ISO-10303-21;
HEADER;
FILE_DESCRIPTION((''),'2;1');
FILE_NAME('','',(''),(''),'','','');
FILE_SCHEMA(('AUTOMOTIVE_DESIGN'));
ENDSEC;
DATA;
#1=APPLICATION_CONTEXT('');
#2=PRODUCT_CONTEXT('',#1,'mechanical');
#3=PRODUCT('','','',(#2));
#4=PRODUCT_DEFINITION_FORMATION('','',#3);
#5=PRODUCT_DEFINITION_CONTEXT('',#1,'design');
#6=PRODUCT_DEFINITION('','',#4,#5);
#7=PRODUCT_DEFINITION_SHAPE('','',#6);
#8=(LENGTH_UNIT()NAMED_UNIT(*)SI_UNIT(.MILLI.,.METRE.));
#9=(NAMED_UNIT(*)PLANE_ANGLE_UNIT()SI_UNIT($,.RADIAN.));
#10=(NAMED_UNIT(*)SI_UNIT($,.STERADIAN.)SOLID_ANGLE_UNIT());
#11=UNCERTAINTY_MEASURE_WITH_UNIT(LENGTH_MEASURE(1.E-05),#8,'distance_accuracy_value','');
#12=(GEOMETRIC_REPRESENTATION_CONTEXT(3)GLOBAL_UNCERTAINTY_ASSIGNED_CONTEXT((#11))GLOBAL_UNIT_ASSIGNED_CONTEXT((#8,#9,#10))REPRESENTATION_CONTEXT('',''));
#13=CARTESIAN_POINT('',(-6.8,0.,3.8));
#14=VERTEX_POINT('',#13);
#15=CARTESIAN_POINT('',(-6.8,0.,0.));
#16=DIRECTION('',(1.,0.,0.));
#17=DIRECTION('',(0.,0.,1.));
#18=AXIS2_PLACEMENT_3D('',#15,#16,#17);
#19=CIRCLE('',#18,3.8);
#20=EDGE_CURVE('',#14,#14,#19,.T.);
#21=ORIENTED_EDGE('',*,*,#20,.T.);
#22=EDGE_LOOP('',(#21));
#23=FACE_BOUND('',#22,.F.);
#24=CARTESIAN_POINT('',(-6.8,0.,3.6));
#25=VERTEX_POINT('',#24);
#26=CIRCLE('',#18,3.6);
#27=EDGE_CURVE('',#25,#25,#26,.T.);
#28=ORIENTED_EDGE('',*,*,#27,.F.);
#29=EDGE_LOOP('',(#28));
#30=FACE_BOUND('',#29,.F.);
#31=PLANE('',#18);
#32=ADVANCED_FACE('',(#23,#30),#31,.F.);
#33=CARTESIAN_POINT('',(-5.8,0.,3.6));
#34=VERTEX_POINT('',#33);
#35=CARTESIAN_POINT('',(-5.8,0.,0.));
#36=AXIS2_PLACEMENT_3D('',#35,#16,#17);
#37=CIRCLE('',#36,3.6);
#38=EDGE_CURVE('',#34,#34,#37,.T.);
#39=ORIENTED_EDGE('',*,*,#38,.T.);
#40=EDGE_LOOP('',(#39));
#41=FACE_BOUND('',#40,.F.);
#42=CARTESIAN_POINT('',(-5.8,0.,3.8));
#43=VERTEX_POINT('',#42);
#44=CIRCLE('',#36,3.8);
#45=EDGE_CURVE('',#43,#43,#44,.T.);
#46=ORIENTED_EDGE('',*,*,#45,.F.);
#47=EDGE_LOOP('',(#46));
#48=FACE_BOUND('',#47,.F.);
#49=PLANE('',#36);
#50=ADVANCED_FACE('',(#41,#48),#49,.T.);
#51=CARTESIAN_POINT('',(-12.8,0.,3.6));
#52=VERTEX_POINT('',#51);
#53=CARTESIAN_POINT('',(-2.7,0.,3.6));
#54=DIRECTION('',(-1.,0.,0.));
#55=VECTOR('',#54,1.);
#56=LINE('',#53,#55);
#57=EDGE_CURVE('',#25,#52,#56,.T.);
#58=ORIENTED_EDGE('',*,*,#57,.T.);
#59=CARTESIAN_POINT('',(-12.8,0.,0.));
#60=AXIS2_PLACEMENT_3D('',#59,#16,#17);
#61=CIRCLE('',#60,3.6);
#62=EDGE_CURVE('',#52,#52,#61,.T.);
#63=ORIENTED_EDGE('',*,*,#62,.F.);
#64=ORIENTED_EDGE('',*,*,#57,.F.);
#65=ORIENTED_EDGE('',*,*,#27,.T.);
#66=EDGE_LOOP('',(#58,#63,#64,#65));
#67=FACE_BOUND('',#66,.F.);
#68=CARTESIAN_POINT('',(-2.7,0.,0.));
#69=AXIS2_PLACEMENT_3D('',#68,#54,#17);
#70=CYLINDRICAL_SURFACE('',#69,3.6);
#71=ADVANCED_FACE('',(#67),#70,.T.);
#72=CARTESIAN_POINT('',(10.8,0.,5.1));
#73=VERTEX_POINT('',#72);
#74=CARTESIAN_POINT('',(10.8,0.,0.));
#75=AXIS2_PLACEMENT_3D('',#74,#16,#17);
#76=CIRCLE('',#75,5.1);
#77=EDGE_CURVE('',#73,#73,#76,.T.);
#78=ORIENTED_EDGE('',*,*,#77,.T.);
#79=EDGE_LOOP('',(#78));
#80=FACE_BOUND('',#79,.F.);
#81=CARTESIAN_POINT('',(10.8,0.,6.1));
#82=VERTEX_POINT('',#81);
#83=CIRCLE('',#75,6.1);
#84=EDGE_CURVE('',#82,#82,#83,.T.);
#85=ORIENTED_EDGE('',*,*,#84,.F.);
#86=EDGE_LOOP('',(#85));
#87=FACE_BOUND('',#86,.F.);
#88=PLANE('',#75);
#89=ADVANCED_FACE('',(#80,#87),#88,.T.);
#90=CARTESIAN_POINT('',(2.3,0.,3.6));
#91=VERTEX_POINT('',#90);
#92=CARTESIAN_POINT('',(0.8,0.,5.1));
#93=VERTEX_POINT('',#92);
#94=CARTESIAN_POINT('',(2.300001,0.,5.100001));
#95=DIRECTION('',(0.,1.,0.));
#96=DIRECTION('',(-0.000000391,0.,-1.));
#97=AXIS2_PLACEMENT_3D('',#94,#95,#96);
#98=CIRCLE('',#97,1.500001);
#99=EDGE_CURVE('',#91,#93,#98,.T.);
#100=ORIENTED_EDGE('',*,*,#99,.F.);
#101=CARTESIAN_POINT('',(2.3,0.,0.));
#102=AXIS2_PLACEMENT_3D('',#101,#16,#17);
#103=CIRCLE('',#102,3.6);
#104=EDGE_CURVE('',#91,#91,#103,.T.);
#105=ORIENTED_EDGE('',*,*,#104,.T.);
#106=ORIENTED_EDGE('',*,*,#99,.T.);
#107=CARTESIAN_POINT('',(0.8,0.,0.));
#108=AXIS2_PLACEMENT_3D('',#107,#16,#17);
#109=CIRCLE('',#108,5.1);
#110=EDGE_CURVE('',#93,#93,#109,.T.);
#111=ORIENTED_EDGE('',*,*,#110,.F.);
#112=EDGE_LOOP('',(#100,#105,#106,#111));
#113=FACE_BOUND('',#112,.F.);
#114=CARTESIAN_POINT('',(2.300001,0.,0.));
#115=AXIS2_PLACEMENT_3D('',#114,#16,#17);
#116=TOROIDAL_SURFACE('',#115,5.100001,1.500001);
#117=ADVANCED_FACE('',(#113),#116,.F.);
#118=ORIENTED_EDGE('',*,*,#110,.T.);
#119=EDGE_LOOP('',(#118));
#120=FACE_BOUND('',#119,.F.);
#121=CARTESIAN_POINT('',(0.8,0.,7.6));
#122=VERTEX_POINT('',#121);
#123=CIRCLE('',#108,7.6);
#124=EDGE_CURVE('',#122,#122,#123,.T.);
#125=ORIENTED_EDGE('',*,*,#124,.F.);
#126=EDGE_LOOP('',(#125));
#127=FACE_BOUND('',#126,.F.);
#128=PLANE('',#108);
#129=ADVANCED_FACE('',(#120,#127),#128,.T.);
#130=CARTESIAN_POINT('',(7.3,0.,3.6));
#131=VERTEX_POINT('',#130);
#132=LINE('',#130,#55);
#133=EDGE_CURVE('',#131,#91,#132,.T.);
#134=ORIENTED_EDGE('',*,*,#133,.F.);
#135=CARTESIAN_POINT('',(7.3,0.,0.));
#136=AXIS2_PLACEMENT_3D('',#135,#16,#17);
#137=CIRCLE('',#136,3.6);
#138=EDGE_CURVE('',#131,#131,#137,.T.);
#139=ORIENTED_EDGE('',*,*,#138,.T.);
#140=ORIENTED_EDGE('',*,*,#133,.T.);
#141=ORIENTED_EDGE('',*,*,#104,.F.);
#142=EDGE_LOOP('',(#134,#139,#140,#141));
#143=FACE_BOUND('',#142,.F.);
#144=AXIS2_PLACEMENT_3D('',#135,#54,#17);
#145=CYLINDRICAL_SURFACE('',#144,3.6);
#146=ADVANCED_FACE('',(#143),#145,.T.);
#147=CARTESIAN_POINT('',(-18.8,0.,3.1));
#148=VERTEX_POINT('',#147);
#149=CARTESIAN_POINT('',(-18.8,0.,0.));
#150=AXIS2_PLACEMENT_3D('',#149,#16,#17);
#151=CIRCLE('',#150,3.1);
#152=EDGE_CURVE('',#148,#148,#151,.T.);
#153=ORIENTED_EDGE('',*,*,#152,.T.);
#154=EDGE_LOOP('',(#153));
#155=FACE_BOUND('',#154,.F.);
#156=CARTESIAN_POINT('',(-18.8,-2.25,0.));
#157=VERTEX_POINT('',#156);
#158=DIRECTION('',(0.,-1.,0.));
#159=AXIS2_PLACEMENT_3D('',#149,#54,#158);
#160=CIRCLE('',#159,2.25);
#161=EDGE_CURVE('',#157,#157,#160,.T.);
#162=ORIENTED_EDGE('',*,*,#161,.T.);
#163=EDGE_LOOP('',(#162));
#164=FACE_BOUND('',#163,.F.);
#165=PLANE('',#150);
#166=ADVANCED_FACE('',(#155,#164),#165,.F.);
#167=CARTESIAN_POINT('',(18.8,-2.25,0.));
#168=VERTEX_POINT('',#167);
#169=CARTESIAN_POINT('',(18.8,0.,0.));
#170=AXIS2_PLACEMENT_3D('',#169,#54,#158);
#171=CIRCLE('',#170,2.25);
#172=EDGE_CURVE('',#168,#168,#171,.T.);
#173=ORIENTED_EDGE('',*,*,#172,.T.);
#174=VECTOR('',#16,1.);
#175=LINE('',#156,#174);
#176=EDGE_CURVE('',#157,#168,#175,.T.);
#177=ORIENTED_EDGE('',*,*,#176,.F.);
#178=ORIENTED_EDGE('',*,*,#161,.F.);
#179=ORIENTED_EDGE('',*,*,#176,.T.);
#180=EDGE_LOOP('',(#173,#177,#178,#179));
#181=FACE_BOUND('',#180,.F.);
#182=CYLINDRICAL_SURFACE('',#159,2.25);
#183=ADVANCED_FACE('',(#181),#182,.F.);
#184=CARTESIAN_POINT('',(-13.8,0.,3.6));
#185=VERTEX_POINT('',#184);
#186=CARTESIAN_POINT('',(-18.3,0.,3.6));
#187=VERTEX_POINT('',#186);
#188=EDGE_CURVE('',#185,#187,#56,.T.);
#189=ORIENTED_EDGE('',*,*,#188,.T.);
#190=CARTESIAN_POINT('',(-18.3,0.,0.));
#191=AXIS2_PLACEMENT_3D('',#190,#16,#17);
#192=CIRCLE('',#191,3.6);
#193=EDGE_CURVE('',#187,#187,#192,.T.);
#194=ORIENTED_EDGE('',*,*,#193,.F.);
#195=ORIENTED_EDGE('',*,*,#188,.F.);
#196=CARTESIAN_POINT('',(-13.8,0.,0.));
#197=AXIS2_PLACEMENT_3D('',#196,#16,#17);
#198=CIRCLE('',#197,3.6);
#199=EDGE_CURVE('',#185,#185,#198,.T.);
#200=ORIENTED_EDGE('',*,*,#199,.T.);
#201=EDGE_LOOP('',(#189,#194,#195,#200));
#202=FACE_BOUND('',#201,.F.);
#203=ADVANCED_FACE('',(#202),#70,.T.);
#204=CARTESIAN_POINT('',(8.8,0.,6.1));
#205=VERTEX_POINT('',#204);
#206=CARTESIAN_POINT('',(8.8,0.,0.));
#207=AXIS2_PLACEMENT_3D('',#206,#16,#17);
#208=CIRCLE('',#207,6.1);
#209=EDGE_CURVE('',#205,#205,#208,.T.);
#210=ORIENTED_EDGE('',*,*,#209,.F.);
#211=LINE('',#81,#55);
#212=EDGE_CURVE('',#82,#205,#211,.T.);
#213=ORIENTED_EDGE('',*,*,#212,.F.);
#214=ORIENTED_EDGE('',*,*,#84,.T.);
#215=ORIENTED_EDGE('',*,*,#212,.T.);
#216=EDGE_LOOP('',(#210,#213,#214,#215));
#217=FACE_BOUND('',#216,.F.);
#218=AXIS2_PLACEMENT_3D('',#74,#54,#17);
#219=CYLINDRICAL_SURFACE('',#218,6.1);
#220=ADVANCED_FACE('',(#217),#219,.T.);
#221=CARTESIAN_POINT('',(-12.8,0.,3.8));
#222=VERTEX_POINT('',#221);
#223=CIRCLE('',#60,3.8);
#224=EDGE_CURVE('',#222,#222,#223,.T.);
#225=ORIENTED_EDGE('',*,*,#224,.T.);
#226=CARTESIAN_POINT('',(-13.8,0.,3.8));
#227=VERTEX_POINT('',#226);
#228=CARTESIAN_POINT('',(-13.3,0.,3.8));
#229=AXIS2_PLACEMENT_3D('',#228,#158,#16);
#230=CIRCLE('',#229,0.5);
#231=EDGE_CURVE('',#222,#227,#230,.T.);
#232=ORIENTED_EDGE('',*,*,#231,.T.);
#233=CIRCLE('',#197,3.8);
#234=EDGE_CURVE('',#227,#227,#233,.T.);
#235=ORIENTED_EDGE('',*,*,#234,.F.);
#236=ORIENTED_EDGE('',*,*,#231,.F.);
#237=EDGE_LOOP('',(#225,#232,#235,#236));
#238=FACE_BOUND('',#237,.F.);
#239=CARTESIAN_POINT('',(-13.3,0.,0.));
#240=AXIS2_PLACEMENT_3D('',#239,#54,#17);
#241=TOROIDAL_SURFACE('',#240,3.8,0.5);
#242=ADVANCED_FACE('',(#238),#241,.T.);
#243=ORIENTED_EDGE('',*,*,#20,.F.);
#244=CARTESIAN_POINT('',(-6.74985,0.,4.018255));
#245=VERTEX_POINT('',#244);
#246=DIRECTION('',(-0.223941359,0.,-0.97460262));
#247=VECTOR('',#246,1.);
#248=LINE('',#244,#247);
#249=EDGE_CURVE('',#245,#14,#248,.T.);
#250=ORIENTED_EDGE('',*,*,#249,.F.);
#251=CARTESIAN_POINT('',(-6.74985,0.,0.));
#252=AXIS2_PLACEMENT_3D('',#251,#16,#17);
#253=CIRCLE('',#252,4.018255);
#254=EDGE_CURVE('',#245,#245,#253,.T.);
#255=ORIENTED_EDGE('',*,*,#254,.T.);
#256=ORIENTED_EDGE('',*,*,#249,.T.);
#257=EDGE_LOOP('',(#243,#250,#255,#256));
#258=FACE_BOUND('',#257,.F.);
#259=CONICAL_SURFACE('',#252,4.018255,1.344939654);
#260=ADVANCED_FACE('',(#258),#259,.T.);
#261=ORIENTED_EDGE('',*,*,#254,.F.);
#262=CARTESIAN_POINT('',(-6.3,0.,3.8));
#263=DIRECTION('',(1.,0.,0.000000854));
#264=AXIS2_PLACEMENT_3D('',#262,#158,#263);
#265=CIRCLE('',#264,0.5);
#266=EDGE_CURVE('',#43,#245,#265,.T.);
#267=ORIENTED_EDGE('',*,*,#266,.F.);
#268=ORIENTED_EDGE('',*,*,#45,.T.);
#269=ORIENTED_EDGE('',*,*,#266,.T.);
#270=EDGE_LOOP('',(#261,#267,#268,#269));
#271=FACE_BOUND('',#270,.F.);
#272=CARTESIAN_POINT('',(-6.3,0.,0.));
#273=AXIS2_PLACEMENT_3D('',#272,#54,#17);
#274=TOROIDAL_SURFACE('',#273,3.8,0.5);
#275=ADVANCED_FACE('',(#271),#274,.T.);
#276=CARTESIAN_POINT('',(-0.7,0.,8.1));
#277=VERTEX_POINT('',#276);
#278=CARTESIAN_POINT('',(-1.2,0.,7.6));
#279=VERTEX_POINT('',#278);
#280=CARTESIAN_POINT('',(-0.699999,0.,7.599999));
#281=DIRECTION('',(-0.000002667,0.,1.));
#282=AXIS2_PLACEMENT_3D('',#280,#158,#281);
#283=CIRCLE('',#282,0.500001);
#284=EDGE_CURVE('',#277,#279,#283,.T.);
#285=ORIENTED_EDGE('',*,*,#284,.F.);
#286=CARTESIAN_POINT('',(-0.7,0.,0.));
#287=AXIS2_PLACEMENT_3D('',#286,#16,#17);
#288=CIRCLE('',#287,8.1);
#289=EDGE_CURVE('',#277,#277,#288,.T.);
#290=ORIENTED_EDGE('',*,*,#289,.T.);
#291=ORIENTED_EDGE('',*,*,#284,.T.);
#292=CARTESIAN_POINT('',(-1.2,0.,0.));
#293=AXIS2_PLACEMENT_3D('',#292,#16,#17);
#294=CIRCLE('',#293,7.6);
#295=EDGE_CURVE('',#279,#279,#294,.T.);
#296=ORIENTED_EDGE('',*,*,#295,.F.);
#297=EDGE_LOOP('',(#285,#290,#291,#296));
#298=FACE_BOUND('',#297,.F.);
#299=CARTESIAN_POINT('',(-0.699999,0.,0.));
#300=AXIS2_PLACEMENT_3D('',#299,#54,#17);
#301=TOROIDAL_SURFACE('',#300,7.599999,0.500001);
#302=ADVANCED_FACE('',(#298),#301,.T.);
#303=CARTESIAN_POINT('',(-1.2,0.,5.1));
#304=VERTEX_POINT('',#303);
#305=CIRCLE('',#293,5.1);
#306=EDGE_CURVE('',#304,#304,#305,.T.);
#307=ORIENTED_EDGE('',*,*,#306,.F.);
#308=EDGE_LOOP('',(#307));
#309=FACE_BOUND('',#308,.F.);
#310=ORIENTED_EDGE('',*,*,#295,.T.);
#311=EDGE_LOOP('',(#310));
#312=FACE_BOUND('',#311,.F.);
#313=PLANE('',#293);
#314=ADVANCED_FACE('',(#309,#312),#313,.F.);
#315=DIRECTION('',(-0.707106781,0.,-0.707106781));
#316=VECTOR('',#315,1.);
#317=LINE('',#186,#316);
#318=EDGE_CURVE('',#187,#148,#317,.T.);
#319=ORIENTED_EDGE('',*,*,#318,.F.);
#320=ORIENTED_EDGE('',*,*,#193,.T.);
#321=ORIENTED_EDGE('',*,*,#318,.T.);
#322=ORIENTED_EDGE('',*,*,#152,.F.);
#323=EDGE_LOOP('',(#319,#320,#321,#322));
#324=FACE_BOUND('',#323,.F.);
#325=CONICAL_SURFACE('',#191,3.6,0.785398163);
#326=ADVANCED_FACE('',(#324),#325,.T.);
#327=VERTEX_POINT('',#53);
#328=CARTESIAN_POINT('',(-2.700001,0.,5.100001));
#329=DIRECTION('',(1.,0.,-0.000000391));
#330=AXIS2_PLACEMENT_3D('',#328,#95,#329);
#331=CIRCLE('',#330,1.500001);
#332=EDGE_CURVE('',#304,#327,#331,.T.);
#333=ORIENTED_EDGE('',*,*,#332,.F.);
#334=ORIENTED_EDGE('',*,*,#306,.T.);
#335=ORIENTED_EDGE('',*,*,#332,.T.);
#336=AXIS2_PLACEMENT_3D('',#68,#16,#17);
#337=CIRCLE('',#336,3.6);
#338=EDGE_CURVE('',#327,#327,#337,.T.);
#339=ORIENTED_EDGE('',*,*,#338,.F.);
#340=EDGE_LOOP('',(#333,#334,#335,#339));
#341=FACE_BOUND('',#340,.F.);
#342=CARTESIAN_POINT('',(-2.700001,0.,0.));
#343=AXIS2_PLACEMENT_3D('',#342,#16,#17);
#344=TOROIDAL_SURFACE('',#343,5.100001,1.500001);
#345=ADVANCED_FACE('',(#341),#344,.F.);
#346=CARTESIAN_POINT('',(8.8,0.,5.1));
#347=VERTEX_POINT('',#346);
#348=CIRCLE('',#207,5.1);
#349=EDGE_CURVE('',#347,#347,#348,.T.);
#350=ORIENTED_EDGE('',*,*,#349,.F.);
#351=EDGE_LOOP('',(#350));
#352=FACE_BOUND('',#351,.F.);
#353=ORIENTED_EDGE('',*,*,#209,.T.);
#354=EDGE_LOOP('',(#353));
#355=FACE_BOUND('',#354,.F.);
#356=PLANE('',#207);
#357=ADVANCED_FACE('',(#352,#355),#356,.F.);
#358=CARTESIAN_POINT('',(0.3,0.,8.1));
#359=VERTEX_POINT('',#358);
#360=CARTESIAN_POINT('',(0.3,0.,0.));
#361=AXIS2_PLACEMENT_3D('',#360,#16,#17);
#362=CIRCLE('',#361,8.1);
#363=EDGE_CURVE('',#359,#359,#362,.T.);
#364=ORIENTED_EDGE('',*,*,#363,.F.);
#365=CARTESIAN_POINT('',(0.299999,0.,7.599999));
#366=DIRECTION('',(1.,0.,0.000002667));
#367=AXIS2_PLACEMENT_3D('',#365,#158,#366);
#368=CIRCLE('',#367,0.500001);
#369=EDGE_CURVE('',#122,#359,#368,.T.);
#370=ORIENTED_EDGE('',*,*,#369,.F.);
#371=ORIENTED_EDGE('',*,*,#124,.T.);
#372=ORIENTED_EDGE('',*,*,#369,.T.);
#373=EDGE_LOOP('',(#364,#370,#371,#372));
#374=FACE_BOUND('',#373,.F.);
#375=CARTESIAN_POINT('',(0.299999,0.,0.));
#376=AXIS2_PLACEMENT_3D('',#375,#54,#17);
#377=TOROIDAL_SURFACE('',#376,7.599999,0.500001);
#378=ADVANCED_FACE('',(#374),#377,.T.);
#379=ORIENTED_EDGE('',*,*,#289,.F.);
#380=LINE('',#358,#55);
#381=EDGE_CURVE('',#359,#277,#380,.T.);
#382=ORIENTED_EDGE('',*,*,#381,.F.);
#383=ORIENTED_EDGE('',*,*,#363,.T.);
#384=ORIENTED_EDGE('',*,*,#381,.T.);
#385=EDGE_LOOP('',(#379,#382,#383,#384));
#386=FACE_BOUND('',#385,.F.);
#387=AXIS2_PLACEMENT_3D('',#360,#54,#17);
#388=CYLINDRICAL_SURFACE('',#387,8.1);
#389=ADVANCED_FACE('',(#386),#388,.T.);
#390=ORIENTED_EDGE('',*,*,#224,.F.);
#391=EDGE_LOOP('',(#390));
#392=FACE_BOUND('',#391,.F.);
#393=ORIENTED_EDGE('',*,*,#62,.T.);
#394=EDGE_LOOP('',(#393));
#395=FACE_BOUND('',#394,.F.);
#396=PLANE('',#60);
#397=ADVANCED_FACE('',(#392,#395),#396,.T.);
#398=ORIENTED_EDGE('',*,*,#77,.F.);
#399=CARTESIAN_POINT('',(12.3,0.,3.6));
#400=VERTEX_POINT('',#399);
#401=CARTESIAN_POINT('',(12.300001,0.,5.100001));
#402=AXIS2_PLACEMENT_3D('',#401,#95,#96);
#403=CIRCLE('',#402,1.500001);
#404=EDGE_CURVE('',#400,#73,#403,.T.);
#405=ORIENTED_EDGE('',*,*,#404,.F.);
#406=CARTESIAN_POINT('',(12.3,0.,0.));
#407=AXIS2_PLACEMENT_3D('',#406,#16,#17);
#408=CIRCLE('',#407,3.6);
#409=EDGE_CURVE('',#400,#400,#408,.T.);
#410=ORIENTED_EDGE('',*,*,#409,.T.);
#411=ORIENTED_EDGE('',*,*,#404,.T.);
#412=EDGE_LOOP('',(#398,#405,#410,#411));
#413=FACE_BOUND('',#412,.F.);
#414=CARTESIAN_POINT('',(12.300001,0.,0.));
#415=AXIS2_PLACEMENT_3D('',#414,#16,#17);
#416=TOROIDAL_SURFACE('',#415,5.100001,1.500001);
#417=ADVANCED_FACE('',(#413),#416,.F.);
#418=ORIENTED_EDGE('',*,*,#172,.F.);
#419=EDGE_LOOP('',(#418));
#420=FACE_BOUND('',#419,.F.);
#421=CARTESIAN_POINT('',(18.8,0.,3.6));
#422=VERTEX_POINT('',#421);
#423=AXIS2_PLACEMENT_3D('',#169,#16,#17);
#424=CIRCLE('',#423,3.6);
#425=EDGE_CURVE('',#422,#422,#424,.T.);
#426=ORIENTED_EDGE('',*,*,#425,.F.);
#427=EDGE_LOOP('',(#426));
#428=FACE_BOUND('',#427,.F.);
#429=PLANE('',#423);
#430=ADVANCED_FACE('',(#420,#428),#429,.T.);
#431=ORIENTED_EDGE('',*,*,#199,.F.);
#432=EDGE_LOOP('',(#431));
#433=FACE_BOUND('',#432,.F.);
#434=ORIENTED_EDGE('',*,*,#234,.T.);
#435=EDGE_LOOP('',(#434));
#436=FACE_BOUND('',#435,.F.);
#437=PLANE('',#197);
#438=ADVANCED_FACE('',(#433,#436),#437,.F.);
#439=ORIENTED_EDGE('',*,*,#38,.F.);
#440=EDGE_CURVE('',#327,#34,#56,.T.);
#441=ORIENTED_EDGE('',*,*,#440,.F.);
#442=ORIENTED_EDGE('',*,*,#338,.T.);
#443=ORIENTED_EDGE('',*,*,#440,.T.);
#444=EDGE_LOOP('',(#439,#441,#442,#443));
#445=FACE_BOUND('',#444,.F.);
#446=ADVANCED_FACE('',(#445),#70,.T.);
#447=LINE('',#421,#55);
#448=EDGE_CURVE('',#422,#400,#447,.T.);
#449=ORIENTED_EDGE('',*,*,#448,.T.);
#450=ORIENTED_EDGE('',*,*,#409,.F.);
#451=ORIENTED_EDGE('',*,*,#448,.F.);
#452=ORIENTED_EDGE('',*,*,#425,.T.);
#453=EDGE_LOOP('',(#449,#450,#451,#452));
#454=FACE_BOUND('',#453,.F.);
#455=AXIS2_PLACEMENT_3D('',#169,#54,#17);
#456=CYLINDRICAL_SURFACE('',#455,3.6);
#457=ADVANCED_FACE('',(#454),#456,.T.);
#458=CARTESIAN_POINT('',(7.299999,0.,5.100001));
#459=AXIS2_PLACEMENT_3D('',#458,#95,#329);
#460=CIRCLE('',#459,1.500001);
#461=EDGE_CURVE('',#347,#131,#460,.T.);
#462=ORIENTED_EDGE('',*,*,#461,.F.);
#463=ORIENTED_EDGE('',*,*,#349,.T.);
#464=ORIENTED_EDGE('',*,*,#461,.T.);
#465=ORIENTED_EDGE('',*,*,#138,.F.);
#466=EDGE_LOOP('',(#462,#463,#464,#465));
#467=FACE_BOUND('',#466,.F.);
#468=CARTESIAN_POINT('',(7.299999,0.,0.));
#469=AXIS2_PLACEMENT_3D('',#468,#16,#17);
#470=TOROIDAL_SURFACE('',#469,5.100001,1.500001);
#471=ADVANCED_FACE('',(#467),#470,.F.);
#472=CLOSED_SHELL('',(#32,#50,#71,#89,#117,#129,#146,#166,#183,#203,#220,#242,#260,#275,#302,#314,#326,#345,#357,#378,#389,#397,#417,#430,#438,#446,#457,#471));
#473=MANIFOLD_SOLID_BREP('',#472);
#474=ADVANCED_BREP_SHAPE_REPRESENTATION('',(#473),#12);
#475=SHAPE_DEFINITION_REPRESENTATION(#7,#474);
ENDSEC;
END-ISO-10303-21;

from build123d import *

# Parameters (mm, degrees)
F2_SIZE  = 0.5
F3_R     = 2.25
F4_DEPTH = 37.601


with BuildPart() as f1:
    # F0 (on Front) → F1 (revolve)
    with BuildSketch(Plane.XZ):
        with BuildLine():
            Line((-18.8, 0), (18.8, 0))
            Line((18.8, 0), (18.8, 3.6))
            Line((18.8, 3.6), (12.3, 3.6))
            ThreePointArc((12.3, 3.6), (11.23934, 4.03934), (10.8, 5.1))
            Line((10.8, 5.1), (10.8, 6.1))
            Line((10.8, 6.1), (8.8, 6.1))
            Line((8.8, 6.1), (8.8, 5.1))
            ThreePointArc((8.8, 5.1), (8.36066, 4.03934), (7.3, 3.6))
            Line((7.3, 3.6), (2.3, 3.6))
            ThreePointArc((2.3, 3.6), (1.23934, 4.03934), (0.8, 5.1))
            Line((0.8, 5.1), (0.8, 7.6))
            ThreePointArc((0.8, 7.6), (0.653553, 7.953553), (0.3, 8.1))
            Line((0.3, 8.1), (-0.7, 8.1))
            ThreePointArc((-0.7, 8.1), (-1.053553, 7.953553), (-1.2, 7.6))
            Line((-1.2, 7.6), (-1.2, 5.1))
            ThreePointArc((-1.2, 5.1), (-1.63934, 4.03934), (-2.7, 3.6))
            Line((-2.7, 3.6), (-5.8, 3.6))
            Line((-5.8, 3.6), (-6.8, 3.6))
            Line((-6.8, 3.6), (-12.8, 3.6))
            Line((-12.8, 3.6), (-13.8, 3.6))
            Line((-13.8, 3.6), (-18.8, 3.6))
            Line((-18.8, 3.6), (-18.8, 0))
        make_face()
        with BuildLine():
            Line((-6.8, 3.8), (-6.8, 3.6))
            Line((-6.8, 3.6), (-5.8, 3.6))
            Line((-5.8, 3.6), (-5.8, 3.8))
            ThreePointArc((-5.8, 3.8), (-6.188029, 4.287301), (-6.74985, 4.018255))
            Line((-6.74985, 4.018255), (-6.8, 3.8))
        make_face()
        with BuildLine():
            Line((-13.8, 3.8), (-13.8, 3.6))
            Line((-13.8, 3.6), (-12.8, 3.6))
            Line((-12.8, 3.6), (-12.8, 3.8))
            ThreePointArc((-12.8, 3.8), (-13.3, 4.3), (-13.8, 3.8))
        make_face()
    revolve(axis=Axis((0.027027, 0, 0), (1, 0, 0)))

    # F2
    f2_edges = [f1.edges().sort_by_distance(p)[0] for p in [
        (-18.8, 0, -3.6),
    ]]
    chamfer(f2_edges, length=F2_SIZE)

    # F3 (on face) → F4 (cut, through all)
    with BuildSketch(Plane(origin=(-18.8, 0, 0), x_dir=(0, -1, 0), z_dir=(-1, 0, 0))):
        Circle(F3_R)
    extrude(amount=-F4_DEPTH, mode=Mode.SUBTRACT)


solid = f1.part
